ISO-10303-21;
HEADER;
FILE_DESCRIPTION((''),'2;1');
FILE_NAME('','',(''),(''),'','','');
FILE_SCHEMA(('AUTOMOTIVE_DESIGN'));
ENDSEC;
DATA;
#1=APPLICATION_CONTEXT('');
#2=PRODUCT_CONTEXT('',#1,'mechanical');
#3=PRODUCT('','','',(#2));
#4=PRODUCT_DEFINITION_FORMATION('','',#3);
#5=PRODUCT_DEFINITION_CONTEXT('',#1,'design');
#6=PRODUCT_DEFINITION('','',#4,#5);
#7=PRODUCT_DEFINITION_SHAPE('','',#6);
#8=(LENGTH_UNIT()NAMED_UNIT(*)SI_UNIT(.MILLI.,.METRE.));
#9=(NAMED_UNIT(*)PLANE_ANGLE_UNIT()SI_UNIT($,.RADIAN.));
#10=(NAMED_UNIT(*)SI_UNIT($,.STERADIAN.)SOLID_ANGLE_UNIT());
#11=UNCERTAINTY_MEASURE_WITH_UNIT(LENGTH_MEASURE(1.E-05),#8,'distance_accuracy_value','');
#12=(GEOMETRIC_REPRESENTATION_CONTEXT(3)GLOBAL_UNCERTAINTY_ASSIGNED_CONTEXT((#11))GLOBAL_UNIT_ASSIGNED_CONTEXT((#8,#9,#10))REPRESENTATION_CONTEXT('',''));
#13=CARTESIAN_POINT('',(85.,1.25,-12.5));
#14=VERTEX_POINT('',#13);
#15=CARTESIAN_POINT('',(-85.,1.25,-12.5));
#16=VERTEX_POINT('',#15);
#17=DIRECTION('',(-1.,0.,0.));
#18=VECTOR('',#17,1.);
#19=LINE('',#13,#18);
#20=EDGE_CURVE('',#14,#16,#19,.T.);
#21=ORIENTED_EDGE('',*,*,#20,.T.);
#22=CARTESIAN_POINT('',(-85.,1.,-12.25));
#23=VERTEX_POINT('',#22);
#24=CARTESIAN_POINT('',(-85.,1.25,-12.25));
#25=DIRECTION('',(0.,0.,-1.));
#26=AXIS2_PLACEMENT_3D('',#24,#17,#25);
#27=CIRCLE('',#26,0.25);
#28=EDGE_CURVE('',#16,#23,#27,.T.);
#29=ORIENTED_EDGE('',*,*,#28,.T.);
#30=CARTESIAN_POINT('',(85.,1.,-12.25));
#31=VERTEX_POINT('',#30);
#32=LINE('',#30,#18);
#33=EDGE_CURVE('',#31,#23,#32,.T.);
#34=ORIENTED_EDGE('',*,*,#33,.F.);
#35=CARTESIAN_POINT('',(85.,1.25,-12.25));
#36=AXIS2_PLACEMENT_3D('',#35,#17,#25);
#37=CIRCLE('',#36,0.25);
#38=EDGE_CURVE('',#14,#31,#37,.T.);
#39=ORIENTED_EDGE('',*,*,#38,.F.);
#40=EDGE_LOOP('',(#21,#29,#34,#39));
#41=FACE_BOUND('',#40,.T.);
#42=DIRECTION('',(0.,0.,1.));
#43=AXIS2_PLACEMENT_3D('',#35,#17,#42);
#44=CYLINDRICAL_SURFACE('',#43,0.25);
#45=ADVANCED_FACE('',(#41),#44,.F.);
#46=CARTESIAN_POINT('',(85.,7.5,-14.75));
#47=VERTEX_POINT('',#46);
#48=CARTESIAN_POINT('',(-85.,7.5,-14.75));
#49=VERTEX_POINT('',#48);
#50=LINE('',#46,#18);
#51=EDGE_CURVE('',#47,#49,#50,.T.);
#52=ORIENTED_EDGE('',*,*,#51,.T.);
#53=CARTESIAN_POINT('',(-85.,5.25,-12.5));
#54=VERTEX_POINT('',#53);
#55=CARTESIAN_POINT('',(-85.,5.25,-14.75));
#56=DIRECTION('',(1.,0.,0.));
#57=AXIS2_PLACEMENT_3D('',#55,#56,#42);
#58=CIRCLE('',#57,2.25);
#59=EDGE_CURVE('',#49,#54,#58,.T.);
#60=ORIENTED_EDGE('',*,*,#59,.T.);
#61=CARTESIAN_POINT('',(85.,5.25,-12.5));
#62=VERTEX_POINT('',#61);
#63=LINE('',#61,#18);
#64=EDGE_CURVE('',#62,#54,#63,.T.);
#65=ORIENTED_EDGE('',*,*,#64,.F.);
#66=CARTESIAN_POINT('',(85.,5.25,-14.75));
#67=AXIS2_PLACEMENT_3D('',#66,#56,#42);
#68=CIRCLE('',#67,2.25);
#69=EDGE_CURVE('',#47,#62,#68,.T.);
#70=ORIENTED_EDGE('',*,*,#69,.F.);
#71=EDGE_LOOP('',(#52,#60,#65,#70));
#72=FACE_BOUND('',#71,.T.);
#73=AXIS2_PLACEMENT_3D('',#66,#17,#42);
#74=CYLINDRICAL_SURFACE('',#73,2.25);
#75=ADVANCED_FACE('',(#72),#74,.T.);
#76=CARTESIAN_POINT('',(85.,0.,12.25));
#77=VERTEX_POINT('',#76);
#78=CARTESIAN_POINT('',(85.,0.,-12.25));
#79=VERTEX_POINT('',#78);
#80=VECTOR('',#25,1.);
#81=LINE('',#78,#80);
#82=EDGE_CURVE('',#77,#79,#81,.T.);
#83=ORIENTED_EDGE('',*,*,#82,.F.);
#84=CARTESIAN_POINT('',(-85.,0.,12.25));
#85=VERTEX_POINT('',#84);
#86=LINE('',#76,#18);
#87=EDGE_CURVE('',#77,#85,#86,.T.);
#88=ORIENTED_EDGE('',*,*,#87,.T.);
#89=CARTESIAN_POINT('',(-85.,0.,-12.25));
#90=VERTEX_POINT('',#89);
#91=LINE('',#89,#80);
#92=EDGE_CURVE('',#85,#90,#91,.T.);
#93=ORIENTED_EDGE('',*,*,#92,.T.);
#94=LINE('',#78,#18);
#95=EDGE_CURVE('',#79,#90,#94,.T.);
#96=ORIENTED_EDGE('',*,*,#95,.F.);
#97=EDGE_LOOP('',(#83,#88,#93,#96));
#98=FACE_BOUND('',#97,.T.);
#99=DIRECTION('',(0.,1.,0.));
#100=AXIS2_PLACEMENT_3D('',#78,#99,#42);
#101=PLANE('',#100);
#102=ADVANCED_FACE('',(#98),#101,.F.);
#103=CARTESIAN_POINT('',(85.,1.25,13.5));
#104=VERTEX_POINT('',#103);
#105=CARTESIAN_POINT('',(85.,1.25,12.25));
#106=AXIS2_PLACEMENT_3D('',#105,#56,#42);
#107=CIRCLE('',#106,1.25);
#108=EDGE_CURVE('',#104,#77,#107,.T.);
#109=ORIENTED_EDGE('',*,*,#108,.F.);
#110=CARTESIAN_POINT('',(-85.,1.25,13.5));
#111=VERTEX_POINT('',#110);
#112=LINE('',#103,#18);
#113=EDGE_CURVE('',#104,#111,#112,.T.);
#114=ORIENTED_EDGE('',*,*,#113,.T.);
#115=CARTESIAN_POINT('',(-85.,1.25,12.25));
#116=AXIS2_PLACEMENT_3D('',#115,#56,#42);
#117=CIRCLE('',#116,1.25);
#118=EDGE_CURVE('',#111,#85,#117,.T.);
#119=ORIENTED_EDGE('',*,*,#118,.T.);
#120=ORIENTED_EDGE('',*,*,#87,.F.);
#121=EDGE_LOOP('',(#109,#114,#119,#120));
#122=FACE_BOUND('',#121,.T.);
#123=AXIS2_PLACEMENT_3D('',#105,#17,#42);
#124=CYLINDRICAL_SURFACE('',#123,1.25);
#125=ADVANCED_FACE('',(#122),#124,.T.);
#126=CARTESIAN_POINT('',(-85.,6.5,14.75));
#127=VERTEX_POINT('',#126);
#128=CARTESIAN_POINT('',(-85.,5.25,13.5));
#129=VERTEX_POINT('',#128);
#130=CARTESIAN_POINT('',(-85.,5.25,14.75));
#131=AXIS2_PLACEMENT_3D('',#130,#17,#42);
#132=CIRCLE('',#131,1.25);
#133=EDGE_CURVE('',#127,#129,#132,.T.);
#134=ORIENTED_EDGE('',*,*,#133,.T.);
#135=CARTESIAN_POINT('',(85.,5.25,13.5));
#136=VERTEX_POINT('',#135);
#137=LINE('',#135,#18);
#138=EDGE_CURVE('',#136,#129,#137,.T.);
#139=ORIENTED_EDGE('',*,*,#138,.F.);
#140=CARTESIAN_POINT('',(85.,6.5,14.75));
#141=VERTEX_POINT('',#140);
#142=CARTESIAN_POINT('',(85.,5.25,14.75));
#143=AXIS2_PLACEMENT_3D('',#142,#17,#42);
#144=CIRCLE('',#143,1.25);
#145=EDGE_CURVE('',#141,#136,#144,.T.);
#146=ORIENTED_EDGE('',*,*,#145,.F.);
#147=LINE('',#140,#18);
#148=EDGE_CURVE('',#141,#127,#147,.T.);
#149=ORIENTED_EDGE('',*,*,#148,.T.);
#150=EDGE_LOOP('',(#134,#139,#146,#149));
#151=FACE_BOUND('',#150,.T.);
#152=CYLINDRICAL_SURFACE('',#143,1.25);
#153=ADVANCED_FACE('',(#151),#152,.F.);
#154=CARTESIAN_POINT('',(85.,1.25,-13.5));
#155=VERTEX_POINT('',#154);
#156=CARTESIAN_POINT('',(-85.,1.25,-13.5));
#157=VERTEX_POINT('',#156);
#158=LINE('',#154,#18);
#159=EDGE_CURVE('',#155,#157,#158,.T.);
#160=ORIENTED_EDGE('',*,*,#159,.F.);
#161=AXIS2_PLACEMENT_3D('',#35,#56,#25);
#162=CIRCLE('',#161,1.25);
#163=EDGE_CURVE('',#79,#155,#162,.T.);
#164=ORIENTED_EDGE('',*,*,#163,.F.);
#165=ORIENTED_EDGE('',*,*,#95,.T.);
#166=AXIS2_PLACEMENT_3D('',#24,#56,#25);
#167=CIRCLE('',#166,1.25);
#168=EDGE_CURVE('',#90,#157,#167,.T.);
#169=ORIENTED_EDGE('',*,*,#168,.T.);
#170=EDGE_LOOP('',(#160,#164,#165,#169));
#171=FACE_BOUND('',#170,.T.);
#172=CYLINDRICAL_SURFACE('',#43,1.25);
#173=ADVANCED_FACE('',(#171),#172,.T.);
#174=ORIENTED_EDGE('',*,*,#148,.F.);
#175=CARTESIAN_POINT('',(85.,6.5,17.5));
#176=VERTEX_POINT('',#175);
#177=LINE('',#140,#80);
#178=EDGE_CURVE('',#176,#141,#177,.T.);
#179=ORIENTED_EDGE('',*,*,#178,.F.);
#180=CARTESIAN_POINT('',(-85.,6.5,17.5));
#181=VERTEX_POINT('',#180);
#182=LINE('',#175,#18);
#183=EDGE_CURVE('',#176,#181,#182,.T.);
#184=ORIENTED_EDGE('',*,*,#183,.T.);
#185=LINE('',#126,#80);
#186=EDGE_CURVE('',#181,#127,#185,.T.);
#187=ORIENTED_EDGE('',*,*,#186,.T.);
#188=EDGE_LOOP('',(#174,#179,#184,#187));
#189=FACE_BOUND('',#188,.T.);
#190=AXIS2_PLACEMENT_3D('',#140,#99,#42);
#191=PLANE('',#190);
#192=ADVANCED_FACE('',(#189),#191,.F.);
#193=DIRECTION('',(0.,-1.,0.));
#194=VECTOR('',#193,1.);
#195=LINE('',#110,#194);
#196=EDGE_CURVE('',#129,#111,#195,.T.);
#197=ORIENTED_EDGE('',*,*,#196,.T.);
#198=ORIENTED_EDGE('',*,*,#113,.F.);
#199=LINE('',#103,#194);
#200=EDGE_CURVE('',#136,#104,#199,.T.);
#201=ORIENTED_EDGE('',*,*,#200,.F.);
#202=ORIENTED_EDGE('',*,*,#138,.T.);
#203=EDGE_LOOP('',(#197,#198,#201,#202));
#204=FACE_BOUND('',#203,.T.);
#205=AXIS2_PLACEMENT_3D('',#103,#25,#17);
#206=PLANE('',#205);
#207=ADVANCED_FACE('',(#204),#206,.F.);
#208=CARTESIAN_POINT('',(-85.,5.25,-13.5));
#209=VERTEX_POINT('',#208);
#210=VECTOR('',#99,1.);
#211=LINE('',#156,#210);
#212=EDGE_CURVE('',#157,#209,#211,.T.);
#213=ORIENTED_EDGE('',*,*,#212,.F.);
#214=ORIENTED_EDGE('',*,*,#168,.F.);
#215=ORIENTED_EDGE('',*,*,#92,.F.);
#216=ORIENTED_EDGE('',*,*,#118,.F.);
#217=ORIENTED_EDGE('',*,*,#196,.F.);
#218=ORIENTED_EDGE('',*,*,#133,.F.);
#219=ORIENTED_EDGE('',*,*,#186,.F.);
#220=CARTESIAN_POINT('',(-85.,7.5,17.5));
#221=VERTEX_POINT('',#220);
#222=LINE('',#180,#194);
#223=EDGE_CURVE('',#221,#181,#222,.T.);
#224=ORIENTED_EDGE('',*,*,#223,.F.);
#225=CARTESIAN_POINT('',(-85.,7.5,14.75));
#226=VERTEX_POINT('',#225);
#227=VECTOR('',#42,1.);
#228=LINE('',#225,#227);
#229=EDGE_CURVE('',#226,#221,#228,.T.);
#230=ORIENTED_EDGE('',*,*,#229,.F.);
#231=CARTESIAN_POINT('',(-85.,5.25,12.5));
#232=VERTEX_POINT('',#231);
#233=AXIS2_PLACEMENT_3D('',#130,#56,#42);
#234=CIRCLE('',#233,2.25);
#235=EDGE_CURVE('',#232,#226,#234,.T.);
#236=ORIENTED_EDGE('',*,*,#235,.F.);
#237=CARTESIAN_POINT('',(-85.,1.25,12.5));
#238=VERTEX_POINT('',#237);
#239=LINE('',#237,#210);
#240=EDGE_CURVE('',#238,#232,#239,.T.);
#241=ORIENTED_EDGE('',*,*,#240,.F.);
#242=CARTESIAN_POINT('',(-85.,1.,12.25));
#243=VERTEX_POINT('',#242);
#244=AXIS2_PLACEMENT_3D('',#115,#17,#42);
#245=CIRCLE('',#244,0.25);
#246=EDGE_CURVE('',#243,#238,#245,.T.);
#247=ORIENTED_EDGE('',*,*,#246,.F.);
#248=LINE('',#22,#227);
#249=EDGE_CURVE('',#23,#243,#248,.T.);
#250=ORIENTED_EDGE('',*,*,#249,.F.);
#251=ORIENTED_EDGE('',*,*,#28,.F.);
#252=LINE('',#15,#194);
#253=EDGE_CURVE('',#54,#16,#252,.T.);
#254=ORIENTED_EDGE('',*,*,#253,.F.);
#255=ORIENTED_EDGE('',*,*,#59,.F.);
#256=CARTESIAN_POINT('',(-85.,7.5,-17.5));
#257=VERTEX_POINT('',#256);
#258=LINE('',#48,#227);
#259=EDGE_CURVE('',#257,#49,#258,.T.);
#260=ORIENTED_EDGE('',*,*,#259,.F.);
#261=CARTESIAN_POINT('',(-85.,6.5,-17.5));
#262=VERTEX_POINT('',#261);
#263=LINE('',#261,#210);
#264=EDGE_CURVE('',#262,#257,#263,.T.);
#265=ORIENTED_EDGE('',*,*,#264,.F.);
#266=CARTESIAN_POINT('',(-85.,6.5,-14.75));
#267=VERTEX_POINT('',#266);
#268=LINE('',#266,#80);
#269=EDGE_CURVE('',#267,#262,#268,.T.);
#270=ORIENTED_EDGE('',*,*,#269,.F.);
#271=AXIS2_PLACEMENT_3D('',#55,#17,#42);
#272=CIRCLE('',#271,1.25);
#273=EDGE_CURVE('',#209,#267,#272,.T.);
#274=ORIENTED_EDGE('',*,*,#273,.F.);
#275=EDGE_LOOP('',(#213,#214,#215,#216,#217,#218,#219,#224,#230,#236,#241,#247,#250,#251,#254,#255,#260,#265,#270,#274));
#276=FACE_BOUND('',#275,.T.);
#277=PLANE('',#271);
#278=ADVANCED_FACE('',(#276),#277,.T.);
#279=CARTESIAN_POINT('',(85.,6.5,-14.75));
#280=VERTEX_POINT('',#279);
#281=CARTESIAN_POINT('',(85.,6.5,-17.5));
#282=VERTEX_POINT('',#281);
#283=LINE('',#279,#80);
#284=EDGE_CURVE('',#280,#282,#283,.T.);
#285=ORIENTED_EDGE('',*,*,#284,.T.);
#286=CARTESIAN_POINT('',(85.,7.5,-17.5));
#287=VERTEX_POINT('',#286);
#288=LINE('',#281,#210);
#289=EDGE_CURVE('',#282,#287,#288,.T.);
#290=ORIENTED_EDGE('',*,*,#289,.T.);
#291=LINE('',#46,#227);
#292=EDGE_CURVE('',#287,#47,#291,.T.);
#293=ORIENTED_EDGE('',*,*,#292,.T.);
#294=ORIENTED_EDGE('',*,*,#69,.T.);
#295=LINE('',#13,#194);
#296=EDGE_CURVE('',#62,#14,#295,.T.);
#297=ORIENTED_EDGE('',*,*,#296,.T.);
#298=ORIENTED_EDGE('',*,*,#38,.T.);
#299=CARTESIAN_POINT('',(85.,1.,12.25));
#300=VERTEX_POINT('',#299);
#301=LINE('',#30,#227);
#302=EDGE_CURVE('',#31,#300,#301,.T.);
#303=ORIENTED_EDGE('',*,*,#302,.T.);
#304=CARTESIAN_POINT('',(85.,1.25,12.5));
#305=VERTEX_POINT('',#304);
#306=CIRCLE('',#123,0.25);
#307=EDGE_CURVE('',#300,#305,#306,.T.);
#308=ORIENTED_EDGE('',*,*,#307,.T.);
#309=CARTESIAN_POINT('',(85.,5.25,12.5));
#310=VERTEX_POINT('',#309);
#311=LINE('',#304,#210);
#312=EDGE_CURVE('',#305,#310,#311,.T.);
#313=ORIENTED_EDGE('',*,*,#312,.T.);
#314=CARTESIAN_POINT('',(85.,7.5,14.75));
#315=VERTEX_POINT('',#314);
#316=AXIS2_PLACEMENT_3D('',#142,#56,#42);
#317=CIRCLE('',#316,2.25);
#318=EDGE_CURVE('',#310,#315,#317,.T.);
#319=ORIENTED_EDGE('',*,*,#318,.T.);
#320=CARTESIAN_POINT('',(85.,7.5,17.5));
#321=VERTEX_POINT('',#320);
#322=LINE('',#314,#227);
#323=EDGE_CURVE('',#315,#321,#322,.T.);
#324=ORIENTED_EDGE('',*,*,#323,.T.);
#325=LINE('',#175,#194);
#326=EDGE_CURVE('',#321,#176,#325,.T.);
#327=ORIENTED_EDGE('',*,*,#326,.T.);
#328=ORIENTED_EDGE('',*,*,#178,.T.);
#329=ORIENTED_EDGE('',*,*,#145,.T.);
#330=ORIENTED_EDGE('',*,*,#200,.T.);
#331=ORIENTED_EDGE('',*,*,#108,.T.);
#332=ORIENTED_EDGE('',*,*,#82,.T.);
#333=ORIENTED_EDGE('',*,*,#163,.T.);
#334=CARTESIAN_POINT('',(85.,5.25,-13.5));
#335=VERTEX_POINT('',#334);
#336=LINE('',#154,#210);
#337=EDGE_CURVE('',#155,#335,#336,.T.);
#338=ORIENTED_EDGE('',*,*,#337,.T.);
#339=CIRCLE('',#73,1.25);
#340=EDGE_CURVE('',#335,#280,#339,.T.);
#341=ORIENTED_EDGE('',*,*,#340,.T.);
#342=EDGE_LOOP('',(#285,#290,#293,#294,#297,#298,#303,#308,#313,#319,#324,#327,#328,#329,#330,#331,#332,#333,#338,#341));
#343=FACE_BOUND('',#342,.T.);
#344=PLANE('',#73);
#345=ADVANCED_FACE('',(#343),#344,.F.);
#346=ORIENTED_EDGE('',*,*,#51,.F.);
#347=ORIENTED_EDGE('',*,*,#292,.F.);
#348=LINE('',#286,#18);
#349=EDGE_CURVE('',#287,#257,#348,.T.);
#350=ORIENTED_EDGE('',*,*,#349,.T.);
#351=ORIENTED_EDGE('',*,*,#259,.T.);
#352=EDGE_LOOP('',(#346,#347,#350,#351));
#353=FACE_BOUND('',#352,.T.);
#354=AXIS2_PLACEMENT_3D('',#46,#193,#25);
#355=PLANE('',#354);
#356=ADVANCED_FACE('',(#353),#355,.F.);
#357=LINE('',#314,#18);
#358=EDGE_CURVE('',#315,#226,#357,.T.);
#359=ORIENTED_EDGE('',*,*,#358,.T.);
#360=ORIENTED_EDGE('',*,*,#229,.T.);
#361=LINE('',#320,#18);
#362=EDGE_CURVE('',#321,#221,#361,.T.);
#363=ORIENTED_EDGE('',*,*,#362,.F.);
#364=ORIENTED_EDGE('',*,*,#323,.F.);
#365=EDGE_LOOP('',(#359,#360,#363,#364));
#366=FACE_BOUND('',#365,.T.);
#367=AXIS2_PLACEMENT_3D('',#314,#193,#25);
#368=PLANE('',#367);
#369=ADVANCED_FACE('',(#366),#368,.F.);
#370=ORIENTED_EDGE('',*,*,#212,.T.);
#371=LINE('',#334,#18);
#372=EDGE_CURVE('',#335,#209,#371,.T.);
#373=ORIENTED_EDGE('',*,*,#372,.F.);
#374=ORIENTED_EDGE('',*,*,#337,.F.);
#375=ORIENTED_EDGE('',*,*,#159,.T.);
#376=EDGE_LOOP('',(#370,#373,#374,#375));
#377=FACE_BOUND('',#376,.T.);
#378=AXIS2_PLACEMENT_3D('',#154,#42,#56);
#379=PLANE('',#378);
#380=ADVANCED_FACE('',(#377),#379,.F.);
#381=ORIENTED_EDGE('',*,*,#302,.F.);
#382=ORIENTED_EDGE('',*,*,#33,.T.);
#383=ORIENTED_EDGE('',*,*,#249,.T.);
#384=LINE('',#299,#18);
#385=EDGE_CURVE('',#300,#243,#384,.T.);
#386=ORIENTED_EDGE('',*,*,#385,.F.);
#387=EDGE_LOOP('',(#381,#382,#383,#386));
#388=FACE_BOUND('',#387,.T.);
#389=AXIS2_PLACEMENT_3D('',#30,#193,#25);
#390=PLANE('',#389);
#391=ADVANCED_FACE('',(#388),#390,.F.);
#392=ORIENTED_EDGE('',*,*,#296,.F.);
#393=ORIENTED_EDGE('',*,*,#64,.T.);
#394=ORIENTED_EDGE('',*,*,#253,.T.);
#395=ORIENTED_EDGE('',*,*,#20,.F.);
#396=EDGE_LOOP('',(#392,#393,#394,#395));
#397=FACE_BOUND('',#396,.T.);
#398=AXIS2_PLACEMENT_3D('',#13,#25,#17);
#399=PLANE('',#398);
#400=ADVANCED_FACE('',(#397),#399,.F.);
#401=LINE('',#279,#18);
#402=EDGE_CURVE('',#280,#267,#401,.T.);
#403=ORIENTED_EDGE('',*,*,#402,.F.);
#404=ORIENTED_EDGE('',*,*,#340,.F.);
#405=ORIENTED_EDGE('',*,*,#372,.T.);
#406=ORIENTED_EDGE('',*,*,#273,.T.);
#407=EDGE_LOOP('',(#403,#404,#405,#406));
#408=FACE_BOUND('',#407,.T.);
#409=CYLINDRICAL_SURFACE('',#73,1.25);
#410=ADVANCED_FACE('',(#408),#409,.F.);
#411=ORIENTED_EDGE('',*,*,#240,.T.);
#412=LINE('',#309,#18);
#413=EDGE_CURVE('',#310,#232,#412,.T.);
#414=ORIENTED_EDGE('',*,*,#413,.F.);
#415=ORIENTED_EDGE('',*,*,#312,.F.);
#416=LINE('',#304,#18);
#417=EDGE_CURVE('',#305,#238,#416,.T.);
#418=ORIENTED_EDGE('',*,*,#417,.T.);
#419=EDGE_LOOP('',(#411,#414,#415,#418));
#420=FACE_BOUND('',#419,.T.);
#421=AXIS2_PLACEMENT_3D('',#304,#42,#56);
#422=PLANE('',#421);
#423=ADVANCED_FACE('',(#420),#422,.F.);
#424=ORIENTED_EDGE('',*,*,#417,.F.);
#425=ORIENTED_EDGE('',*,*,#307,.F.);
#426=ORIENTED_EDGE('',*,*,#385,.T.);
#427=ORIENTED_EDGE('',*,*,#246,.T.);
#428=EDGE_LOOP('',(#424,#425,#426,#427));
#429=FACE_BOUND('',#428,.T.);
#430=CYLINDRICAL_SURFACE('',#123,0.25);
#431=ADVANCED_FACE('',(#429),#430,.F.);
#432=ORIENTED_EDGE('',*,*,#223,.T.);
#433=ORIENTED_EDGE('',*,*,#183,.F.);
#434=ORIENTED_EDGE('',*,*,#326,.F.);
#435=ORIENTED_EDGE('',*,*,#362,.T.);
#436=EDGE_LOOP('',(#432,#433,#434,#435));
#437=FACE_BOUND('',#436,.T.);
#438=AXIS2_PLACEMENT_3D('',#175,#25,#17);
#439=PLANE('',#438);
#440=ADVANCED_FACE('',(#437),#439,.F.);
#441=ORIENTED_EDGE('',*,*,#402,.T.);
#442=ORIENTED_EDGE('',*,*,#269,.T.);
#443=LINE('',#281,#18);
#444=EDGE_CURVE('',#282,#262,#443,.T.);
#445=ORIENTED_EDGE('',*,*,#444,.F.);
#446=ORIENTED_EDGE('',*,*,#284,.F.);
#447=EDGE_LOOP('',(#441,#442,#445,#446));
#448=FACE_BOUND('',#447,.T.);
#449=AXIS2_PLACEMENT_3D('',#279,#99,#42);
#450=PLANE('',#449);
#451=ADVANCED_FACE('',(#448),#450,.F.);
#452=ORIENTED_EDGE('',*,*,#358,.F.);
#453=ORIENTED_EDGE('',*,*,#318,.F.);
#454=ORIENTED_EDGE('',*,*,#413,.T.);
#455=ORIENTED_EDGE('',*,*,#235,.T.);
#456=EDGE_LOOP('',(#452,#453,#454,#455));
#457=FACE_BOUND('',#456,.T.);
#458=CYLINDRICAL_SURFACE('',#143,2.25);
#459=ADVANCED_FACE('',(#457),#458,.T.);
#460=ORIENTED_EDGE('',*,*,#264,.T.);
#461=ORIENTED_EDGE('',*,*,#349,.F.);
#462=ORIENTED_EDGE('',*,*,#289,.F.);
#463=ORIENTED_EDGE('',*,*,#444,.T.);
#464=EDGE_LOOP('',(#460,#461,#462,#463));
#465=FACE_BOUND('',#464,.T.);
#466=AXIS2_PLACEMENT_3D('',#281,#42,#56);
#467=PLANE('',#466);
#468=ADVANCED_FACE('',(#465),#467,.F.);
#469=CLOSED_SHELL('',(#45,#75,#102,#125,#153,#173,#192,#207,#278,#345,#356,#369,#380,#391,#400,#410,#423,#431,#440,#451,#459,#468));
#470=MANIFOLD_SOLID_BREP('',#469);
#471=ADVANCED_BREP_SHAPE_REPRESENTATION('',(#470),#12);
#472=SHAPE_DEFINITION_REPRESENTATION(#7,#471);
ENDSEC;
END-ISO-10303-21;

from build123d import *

# Parameters (mm, degrees)
OMEGA_TS_35_1_DEPTH = 170


with BuildPart() as part:
    # Sketch2 → Omega TS-35(1) (new body)
    with BuildSketch(Plane(origin=(-85, 0, 0), x_dir=(0, 0, -1), z_dir=(1, 0, 0))):
        with BuildLine():
            Line((12.25, 0), (-12.25, 0))
            ThreePointArc((-12.25, 0), (-13.133883476, 0.366116524), (-13.5, 1.25))
            Line((-13.5, 1.25), (-13.5, 5.25))
            ThreePointArc((-13.5, 5.25), (-13.866116524, 6.133883476), (-14.75, 6.5))
            Line((-14.75, 6.5), (-17.5, 6.5))
            Line((-17.5, 6.5), (-17.5, 7.5))
            Line((-17.5, 7.5), (-14.75, 7.5))
            ThreePointArc((-14.75, 7.5), (-13.159009742, 6.840990258), (-12.5, 5.25))
            Line((-12.5, 5.25), (-12.5, 1.25))
            ThreePointArc((-12.5, 1.25), (-12.426776695, 1.073223305), (-12.25, 1))
            Line((-12.25, 1), (12.25, 1))
            ThreePointArc((12.25, 1), (12.426776695, 1.073223305), (12.5, 1.25))
            Line((12.5, 1.25), (12.5, 5.25))
            ThreePointArc((12.5, 5.25), (13.159009742, 6.840990258), (14.75, 7.5))
            Line((14.75, 7.5), (17.5, 7.5))
            Line((17.5, 7.5), (17.5, 6.5))
            Line((17.5, 6.5), (14.75, 6.5))
            ThreePointArc((14.75, 6.5), (13.866116524, 6.133883476), (13.5, 5.25))
            Line((13.5, 5.25), (13.5, 1.25))
            ThreePointArc((13.5, 1.25), (13.133883476, 0.366116524), (12.25, 0))
        make_face()
    extrude(amount=OMEGA_TS_35_1_DEPTH)


solid = part.part
